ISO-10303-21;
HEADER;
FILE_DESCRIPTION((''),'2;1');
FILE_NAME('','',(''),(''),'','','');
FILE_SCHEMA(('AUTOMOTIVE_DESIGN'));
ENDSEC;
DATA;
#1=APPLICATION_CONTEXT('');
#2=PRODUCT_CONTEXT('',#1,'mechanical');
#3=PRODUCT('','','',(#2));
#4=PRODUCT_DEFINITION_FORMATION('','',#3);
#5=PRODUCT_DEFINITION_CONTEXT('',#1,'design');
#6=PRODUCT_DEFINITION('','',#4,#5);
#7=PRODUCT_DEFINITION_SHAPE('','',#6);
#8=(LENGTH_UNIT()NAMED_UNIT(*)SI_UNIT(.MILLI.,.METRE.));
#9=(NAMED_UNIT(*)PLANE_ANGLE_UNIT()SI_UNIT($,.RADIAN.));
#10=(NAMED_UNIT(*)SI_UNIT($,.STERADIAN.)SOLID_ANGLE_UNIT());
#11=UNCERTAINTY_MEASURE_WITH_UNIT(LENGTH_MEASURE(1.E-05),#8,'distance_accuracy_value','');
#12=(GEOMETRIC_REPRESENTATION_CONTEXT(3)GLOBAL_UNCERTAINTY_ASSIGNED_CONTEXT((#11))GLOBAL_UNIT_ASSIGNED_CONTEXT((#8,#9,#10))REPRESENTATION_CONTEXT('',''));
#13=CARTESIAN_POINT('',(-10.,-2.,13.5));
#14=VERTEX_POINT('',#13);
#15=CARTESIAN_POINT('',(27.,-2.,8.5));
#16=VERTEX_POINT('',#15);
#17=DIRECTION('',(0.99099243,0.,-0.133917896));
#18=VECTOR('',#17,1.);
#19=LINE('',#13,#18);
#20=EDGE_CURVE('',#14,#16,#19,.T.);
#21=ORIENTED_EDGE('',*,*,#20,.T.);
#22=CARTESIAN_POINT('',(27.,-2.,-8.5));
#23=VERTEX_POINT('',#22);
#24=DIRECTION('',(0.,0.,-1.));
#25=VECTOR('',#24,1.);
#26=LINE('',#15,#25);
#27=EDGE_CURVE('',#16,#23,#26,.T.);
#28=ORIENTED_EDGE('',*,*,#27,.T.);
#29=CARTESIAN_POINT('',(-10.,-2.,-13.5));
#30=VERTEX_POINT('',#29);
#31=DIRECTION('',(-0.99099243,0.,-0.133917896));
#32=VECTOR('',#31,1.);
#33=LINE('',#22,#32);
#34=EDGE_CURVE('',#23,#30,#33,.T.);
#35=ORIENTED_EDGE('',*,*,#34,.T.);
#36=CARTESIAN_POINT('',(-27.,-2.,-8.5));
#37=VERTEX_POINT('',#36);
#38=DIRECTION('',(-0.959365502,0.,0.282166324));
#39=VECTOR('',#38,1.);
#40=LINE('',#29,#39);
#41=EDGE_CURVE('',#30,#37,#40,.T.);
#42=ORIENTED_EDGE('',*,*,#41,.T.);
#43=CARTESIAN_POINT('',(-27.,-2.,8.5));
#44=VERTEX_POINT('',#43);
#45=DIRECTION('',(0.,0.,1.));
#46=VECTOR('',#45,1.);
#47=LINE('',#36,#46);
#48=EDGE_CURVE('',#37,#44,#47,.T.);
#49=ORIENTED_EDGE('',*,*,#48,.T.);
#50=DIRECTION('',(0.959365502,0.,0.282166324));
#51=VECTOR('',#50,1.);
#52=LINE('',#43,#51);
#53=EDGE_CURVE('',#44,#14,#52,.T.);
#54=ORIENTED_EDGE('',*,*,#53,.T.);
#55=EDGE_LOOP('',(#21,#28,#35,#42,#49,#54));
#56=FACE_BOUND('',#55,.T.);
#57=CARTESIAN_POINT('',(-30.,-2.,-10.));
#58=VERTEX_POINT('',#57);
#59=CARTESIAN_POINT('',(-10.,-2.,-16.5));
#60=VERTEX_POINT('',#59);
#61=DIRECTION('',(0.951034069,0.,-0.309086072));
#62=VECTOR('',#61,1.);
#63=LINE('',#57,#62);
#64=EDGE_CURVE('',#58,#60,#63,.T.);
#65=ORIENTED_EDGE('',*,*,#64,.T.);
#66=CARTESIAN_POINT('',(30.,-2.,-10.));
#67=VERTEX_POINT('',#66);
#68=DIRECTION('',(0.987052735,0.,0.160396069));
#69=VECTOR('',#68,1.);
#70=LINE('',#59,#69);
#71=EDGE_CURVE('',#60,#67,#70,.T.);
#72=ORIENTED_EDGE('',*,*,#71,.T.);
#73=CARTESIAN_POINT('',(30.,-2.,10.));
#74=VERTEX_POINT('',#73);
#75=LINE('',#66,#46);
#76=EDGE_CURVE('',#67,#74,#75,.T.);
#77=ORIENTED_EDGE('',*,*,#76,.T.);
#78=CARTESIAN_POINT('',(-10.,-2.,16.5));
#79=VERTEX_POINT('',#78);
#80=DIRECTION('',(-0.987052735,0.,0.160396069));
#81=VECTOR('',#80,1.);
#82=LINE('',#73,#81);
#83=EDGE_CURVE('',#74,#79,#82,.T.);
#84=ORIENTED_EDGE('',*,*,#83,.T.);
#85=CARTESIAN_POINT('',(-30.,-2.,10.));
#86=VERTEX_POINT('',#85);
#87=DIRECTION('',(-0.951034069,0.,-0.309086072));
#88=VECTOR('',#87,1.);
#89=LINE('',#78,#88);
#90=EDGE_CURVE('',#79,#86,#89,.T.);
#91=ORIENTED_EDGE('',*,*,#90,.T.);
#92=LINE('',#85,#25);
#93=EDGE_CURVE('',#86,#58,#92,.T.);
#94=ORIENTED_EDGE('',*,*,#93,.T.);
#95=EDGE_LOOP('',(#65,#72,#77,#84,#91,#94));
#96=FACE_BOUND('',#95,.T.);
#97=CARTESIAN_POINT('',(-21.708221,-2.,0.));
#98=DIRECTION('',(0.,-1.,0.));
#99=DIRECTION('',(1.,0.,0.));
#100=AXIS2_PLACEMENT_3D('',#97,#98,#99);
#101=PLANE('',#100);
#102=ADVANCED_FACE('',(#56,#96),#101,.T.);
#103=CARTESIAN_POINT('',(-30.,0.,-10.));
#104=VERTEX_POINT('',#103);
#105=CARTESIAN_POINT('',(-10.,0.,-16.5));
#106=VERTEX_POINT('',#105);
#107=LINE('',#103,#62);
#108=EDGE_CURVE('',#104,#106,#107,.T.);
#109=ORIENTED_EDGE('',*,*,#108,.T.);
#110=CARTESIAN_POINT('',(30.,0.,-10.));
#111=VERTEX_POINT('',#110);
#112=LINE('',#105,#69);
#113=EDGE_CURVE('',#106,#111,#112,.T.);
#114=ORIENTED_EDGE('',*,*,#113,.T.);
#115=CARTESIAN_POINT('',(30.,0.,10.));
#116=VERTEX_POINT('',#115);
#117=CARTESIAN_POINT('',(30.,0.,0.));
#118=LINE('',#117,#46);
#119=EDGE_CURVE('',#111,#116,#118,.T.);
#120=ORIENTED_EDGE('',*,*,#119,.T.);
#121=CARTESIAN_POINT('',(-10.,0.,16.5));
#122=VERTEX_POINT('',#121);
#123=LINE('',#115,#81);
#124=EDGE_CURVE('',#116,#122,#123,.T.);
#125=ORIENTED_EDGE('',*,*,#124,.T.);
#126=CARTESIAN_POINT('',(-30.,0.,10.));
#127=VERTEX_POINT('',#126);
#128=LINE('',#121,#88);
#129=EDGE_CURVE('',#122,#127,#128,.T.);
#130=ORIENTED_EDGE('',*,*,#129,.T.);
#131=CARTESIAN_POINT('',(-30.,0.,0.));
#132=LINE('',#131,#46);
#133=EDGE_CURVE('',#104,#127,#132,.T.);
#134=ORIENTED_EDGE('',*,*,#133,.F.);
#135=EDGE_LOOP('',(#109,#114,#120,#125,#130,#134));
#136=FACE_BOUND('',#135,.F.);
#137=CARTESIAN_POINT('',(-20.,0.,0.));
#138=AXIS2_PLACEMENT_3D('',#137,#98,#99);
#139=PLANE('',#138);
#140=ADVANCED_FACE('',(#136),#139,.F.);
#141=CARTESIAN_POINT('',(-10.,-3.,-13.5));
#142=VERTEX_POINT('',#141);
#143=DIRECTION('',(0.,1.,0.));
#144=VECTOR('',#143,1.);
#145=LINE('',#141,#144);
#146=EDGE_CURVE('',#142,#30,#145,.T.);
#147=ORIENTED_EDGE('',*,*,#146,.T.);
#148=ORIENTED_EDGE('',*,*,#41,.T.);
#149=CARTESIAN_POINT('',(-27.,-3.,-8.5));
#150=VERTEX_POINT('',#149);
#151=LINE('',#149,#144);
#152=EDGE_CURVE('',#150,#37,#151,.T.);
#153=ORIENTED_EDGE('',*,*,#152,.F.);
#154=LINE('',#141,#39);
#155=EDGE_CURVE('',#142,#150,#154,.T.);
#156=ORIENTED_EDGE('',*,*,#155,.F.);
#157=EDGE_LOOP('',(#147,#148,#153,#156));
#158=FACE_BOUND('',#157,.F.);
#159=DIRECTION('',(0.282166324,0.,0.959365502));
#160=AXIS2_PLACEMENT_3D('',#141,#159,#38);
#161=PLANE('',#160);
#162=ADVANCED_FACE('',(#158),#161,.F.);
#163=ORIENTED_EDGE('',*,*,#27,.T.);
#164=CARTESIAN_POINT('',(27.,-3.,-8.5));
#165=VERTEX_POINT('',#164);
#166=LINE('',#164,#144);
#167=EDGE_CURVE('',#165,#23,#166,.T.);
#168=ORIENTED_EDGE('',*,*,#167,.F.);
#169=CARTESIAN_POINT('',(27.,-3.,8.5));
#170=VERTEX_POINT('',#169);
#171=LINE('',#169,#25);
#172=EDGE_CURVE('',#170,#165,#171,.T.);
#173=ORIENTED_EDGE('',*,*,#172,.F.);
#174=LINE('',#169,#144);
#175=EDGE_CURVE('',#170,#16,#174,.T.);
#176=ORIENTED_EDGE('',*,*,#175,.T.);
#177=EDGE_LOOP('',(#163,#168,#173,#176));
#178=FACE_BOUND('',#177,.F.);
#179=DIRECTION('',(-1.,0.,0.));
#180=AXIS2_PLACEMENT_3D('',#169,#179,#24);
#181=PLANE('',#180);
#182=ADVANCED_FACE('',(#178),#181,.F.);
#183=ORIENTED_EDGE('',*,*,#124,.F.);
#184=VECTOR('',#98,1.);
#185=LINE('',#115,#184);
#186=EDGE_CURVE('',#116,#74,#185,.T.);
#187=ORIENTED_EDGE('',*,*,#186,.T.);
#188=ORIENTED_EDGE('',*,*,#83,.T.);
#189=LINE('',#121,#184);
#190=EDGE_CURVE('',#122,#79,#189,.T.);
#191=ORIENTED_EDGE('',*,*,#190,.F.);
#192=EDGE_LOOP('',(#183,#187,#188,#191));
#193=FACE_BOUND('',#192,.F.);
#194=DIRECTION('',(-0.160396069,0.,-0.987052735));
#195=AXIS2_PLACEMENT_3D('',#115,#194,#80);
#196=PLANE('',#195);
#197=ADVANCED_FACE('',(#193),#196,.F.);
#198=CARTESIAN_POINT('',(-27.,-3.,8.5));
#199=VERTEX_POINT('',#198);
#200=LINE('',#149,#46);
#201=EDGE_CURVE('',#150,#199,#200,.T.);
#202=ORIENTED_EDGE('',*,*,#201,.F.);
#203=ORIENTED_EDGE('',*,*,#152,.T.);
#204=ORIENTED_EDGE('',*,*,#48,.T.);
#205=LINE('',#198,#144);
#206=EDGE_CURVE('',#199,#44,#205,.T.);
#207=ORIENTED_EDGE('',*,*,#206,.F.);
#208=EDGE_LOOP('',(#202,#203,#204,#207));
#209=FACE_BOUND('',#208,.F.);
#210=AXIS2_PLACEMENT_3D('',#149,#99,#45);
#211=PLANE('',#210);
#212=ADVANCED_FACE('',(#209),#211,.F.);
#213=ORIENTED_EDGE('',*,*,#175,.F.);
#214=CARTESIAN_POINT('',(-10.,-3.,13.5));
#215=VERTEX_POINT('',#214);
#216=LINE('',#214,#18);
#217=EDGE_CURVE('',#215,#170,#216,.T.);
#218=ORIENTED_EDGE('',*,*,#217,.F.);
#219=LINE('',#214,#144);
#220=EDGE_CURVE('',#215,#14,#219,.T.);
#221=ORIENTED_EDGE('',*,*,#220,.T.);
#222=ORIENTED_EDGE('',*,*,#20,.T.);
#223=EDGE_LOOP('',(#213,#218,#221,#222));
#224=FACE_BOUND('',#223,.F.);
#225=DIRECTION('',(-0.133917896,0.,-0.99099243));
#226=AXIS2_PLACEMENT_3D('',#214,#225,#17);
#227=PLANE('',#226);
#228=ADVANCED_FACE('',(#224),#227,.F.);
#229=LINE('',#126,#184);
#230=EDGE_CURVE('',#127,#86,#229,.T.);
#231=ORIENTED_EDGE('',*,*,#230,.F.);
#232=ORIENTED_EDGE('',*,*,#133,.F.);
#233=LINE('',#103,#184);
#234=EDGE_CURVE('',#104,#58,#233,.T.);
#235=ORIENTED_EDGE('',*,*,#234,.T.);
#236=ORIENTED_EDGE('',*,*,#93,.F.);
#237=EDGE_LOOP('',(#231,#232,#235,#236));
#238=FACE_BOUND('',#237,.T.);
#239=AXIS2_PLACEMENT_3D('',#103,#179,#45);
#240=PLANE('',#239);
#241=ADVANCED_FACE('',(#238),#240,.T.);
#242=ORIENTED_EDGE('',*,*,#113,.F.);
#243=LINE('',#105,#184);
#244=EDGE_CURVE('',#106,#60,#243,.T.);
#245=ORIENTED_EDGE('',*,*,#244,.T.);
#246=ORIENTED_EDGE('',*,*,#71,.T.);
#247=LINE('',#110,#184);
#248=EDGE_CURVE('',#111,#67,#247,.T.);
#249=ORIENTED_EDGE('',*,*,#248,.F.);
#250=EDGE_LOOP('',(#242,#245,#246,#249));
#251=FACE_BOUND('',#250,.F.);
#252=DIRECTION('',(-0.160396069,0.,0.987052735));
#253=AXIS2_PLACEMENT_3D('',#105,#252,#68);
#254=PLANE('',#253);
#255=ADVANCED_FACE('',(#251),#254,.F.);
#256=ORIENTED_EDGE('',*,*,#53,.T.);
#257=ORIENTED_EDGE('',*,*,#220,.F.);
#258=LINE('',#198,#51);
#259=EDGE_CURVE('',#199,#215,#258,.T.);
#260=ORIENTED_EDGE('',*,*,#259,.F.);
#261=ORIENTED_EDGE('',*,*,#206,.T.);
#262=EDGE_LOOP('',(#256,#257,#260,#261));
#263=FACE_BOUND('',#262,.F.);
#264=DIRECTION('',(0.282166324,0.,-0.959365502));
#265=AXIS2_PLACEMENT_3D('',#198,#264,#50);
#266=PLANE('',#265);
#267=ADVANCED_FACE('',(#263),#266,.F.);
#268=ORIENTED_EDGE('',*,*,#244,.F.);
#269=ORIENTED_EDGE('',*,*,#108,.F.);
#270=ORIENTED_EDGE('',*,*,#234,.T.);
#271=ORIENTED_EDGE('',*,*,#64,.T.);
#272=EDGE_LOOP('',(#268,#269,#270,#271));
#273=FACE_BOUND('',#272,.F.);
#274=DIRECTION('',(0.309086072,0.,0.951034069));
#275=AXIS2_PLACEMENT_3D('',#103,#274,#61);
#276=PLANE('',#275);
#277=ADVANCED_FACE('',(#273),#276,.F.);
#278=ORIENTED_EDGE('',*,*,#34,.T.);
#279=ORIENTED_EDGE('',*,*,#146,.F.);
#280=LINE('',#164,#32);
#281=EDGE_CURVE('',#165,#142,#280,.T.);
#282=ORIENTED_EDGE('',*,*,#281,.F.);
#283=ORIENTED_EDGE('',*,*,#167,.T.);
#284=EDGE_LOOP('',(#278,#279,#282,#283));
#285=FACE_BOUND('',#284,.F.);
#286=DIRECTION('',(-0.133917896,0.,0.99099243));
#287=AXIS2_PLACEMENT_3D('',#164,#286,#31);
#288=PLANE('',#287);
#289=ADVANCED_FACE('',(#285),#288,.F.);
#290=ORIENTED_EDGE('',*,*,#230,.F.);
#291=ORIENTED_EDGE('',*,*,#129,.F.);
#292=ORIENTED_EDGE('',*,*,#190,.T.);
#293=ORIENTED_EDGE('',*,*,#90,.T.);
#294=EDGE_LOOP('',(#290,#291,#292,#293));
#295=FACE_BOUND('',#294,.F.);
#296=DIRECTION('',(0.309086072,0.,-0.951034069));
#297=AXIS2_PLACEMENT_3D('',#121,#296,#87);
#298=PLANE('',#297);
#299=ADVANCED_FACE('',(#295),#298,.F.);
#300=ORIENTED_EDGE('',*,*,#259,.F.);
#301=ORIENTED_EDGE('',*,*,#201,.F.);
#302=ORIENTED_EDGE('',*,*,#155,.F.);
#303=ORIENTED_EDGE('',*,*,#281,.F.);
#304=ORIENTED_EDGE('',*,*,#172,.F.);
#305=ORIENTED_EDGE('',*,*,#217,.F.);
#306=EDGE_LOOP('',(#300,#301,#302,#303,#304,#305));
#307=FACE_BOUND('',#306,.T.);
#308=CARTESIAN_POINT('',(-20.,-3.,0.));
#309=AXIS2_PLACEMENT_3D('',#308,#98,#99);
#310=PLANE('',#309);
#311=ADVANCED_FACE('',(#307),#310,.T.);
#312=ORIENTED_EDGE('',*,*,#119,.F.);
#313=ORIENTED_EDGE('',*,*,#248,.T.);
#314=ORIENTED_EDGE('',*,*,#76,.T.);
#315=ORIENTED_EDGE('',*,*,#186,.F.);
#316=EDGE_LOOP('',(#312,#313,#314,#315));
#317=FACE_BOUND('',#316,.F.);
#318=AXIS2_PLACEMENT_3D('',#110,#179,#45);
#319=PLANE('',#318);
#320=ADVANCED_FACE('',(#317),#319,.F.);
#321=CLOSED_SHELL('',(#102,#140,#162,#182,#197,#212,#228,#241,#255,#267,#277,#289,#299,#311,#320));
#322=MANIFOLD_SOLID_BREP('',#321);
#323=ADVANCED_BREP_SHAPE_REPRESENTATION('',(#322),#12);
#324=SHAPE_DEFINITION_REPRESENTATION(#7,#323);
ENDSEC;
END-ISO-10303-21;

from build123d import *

# Parameters (mm, degrees)
F0_W     = 20
F0_H     = 20
F0_W_2   = 40
F1_DEPTH = 3
F3_DEPTH = 1


with BuildPart() as f1:
    # F0 (on Front) → F1 (new body)
    with BuildSketch(Plane.XZ):
        with Locations((-20, 0)):
            Rectangle(F0_W, F0_H)
        Polygon((-30, 10), (-10, 10), (-10, 16.5), align=None)
        Polygon((-10, 10), (30, 10), (-10, 16.5), align=None)
        with Locations((10, 0)):
            Rectangle(F0_W_2, F0_H)
        Polygon((-10, -16.5), (30, -10), (-10, -10), align=None)
        Polygon((-10, -16.5), (-10, -10), (-30, -10), align=None)
    extrude(amount=F1_DEPTH)

    # F2 (on face) → F3 (cut)
    with BuildSketch(Plane.XZ.offset(3)):
        Polygon((-10, -16.5), (-10, -13.5), (-27, -8.5), (-27, 8.5), (-10, 13.5), (-10, 16.5), (-30, 10), (-30, -10), align=None)
        Polygon((27, 8.5), (27, -8.5), (-10, -13.5), (-10, -16.5), (30, -10), (30, 10), (-10, 16.5), (-10, 13.5), align=None)
    extrude(amount=-F3_DEPTH, mode=Mode.SUBTRACT)


solid = f1.part
